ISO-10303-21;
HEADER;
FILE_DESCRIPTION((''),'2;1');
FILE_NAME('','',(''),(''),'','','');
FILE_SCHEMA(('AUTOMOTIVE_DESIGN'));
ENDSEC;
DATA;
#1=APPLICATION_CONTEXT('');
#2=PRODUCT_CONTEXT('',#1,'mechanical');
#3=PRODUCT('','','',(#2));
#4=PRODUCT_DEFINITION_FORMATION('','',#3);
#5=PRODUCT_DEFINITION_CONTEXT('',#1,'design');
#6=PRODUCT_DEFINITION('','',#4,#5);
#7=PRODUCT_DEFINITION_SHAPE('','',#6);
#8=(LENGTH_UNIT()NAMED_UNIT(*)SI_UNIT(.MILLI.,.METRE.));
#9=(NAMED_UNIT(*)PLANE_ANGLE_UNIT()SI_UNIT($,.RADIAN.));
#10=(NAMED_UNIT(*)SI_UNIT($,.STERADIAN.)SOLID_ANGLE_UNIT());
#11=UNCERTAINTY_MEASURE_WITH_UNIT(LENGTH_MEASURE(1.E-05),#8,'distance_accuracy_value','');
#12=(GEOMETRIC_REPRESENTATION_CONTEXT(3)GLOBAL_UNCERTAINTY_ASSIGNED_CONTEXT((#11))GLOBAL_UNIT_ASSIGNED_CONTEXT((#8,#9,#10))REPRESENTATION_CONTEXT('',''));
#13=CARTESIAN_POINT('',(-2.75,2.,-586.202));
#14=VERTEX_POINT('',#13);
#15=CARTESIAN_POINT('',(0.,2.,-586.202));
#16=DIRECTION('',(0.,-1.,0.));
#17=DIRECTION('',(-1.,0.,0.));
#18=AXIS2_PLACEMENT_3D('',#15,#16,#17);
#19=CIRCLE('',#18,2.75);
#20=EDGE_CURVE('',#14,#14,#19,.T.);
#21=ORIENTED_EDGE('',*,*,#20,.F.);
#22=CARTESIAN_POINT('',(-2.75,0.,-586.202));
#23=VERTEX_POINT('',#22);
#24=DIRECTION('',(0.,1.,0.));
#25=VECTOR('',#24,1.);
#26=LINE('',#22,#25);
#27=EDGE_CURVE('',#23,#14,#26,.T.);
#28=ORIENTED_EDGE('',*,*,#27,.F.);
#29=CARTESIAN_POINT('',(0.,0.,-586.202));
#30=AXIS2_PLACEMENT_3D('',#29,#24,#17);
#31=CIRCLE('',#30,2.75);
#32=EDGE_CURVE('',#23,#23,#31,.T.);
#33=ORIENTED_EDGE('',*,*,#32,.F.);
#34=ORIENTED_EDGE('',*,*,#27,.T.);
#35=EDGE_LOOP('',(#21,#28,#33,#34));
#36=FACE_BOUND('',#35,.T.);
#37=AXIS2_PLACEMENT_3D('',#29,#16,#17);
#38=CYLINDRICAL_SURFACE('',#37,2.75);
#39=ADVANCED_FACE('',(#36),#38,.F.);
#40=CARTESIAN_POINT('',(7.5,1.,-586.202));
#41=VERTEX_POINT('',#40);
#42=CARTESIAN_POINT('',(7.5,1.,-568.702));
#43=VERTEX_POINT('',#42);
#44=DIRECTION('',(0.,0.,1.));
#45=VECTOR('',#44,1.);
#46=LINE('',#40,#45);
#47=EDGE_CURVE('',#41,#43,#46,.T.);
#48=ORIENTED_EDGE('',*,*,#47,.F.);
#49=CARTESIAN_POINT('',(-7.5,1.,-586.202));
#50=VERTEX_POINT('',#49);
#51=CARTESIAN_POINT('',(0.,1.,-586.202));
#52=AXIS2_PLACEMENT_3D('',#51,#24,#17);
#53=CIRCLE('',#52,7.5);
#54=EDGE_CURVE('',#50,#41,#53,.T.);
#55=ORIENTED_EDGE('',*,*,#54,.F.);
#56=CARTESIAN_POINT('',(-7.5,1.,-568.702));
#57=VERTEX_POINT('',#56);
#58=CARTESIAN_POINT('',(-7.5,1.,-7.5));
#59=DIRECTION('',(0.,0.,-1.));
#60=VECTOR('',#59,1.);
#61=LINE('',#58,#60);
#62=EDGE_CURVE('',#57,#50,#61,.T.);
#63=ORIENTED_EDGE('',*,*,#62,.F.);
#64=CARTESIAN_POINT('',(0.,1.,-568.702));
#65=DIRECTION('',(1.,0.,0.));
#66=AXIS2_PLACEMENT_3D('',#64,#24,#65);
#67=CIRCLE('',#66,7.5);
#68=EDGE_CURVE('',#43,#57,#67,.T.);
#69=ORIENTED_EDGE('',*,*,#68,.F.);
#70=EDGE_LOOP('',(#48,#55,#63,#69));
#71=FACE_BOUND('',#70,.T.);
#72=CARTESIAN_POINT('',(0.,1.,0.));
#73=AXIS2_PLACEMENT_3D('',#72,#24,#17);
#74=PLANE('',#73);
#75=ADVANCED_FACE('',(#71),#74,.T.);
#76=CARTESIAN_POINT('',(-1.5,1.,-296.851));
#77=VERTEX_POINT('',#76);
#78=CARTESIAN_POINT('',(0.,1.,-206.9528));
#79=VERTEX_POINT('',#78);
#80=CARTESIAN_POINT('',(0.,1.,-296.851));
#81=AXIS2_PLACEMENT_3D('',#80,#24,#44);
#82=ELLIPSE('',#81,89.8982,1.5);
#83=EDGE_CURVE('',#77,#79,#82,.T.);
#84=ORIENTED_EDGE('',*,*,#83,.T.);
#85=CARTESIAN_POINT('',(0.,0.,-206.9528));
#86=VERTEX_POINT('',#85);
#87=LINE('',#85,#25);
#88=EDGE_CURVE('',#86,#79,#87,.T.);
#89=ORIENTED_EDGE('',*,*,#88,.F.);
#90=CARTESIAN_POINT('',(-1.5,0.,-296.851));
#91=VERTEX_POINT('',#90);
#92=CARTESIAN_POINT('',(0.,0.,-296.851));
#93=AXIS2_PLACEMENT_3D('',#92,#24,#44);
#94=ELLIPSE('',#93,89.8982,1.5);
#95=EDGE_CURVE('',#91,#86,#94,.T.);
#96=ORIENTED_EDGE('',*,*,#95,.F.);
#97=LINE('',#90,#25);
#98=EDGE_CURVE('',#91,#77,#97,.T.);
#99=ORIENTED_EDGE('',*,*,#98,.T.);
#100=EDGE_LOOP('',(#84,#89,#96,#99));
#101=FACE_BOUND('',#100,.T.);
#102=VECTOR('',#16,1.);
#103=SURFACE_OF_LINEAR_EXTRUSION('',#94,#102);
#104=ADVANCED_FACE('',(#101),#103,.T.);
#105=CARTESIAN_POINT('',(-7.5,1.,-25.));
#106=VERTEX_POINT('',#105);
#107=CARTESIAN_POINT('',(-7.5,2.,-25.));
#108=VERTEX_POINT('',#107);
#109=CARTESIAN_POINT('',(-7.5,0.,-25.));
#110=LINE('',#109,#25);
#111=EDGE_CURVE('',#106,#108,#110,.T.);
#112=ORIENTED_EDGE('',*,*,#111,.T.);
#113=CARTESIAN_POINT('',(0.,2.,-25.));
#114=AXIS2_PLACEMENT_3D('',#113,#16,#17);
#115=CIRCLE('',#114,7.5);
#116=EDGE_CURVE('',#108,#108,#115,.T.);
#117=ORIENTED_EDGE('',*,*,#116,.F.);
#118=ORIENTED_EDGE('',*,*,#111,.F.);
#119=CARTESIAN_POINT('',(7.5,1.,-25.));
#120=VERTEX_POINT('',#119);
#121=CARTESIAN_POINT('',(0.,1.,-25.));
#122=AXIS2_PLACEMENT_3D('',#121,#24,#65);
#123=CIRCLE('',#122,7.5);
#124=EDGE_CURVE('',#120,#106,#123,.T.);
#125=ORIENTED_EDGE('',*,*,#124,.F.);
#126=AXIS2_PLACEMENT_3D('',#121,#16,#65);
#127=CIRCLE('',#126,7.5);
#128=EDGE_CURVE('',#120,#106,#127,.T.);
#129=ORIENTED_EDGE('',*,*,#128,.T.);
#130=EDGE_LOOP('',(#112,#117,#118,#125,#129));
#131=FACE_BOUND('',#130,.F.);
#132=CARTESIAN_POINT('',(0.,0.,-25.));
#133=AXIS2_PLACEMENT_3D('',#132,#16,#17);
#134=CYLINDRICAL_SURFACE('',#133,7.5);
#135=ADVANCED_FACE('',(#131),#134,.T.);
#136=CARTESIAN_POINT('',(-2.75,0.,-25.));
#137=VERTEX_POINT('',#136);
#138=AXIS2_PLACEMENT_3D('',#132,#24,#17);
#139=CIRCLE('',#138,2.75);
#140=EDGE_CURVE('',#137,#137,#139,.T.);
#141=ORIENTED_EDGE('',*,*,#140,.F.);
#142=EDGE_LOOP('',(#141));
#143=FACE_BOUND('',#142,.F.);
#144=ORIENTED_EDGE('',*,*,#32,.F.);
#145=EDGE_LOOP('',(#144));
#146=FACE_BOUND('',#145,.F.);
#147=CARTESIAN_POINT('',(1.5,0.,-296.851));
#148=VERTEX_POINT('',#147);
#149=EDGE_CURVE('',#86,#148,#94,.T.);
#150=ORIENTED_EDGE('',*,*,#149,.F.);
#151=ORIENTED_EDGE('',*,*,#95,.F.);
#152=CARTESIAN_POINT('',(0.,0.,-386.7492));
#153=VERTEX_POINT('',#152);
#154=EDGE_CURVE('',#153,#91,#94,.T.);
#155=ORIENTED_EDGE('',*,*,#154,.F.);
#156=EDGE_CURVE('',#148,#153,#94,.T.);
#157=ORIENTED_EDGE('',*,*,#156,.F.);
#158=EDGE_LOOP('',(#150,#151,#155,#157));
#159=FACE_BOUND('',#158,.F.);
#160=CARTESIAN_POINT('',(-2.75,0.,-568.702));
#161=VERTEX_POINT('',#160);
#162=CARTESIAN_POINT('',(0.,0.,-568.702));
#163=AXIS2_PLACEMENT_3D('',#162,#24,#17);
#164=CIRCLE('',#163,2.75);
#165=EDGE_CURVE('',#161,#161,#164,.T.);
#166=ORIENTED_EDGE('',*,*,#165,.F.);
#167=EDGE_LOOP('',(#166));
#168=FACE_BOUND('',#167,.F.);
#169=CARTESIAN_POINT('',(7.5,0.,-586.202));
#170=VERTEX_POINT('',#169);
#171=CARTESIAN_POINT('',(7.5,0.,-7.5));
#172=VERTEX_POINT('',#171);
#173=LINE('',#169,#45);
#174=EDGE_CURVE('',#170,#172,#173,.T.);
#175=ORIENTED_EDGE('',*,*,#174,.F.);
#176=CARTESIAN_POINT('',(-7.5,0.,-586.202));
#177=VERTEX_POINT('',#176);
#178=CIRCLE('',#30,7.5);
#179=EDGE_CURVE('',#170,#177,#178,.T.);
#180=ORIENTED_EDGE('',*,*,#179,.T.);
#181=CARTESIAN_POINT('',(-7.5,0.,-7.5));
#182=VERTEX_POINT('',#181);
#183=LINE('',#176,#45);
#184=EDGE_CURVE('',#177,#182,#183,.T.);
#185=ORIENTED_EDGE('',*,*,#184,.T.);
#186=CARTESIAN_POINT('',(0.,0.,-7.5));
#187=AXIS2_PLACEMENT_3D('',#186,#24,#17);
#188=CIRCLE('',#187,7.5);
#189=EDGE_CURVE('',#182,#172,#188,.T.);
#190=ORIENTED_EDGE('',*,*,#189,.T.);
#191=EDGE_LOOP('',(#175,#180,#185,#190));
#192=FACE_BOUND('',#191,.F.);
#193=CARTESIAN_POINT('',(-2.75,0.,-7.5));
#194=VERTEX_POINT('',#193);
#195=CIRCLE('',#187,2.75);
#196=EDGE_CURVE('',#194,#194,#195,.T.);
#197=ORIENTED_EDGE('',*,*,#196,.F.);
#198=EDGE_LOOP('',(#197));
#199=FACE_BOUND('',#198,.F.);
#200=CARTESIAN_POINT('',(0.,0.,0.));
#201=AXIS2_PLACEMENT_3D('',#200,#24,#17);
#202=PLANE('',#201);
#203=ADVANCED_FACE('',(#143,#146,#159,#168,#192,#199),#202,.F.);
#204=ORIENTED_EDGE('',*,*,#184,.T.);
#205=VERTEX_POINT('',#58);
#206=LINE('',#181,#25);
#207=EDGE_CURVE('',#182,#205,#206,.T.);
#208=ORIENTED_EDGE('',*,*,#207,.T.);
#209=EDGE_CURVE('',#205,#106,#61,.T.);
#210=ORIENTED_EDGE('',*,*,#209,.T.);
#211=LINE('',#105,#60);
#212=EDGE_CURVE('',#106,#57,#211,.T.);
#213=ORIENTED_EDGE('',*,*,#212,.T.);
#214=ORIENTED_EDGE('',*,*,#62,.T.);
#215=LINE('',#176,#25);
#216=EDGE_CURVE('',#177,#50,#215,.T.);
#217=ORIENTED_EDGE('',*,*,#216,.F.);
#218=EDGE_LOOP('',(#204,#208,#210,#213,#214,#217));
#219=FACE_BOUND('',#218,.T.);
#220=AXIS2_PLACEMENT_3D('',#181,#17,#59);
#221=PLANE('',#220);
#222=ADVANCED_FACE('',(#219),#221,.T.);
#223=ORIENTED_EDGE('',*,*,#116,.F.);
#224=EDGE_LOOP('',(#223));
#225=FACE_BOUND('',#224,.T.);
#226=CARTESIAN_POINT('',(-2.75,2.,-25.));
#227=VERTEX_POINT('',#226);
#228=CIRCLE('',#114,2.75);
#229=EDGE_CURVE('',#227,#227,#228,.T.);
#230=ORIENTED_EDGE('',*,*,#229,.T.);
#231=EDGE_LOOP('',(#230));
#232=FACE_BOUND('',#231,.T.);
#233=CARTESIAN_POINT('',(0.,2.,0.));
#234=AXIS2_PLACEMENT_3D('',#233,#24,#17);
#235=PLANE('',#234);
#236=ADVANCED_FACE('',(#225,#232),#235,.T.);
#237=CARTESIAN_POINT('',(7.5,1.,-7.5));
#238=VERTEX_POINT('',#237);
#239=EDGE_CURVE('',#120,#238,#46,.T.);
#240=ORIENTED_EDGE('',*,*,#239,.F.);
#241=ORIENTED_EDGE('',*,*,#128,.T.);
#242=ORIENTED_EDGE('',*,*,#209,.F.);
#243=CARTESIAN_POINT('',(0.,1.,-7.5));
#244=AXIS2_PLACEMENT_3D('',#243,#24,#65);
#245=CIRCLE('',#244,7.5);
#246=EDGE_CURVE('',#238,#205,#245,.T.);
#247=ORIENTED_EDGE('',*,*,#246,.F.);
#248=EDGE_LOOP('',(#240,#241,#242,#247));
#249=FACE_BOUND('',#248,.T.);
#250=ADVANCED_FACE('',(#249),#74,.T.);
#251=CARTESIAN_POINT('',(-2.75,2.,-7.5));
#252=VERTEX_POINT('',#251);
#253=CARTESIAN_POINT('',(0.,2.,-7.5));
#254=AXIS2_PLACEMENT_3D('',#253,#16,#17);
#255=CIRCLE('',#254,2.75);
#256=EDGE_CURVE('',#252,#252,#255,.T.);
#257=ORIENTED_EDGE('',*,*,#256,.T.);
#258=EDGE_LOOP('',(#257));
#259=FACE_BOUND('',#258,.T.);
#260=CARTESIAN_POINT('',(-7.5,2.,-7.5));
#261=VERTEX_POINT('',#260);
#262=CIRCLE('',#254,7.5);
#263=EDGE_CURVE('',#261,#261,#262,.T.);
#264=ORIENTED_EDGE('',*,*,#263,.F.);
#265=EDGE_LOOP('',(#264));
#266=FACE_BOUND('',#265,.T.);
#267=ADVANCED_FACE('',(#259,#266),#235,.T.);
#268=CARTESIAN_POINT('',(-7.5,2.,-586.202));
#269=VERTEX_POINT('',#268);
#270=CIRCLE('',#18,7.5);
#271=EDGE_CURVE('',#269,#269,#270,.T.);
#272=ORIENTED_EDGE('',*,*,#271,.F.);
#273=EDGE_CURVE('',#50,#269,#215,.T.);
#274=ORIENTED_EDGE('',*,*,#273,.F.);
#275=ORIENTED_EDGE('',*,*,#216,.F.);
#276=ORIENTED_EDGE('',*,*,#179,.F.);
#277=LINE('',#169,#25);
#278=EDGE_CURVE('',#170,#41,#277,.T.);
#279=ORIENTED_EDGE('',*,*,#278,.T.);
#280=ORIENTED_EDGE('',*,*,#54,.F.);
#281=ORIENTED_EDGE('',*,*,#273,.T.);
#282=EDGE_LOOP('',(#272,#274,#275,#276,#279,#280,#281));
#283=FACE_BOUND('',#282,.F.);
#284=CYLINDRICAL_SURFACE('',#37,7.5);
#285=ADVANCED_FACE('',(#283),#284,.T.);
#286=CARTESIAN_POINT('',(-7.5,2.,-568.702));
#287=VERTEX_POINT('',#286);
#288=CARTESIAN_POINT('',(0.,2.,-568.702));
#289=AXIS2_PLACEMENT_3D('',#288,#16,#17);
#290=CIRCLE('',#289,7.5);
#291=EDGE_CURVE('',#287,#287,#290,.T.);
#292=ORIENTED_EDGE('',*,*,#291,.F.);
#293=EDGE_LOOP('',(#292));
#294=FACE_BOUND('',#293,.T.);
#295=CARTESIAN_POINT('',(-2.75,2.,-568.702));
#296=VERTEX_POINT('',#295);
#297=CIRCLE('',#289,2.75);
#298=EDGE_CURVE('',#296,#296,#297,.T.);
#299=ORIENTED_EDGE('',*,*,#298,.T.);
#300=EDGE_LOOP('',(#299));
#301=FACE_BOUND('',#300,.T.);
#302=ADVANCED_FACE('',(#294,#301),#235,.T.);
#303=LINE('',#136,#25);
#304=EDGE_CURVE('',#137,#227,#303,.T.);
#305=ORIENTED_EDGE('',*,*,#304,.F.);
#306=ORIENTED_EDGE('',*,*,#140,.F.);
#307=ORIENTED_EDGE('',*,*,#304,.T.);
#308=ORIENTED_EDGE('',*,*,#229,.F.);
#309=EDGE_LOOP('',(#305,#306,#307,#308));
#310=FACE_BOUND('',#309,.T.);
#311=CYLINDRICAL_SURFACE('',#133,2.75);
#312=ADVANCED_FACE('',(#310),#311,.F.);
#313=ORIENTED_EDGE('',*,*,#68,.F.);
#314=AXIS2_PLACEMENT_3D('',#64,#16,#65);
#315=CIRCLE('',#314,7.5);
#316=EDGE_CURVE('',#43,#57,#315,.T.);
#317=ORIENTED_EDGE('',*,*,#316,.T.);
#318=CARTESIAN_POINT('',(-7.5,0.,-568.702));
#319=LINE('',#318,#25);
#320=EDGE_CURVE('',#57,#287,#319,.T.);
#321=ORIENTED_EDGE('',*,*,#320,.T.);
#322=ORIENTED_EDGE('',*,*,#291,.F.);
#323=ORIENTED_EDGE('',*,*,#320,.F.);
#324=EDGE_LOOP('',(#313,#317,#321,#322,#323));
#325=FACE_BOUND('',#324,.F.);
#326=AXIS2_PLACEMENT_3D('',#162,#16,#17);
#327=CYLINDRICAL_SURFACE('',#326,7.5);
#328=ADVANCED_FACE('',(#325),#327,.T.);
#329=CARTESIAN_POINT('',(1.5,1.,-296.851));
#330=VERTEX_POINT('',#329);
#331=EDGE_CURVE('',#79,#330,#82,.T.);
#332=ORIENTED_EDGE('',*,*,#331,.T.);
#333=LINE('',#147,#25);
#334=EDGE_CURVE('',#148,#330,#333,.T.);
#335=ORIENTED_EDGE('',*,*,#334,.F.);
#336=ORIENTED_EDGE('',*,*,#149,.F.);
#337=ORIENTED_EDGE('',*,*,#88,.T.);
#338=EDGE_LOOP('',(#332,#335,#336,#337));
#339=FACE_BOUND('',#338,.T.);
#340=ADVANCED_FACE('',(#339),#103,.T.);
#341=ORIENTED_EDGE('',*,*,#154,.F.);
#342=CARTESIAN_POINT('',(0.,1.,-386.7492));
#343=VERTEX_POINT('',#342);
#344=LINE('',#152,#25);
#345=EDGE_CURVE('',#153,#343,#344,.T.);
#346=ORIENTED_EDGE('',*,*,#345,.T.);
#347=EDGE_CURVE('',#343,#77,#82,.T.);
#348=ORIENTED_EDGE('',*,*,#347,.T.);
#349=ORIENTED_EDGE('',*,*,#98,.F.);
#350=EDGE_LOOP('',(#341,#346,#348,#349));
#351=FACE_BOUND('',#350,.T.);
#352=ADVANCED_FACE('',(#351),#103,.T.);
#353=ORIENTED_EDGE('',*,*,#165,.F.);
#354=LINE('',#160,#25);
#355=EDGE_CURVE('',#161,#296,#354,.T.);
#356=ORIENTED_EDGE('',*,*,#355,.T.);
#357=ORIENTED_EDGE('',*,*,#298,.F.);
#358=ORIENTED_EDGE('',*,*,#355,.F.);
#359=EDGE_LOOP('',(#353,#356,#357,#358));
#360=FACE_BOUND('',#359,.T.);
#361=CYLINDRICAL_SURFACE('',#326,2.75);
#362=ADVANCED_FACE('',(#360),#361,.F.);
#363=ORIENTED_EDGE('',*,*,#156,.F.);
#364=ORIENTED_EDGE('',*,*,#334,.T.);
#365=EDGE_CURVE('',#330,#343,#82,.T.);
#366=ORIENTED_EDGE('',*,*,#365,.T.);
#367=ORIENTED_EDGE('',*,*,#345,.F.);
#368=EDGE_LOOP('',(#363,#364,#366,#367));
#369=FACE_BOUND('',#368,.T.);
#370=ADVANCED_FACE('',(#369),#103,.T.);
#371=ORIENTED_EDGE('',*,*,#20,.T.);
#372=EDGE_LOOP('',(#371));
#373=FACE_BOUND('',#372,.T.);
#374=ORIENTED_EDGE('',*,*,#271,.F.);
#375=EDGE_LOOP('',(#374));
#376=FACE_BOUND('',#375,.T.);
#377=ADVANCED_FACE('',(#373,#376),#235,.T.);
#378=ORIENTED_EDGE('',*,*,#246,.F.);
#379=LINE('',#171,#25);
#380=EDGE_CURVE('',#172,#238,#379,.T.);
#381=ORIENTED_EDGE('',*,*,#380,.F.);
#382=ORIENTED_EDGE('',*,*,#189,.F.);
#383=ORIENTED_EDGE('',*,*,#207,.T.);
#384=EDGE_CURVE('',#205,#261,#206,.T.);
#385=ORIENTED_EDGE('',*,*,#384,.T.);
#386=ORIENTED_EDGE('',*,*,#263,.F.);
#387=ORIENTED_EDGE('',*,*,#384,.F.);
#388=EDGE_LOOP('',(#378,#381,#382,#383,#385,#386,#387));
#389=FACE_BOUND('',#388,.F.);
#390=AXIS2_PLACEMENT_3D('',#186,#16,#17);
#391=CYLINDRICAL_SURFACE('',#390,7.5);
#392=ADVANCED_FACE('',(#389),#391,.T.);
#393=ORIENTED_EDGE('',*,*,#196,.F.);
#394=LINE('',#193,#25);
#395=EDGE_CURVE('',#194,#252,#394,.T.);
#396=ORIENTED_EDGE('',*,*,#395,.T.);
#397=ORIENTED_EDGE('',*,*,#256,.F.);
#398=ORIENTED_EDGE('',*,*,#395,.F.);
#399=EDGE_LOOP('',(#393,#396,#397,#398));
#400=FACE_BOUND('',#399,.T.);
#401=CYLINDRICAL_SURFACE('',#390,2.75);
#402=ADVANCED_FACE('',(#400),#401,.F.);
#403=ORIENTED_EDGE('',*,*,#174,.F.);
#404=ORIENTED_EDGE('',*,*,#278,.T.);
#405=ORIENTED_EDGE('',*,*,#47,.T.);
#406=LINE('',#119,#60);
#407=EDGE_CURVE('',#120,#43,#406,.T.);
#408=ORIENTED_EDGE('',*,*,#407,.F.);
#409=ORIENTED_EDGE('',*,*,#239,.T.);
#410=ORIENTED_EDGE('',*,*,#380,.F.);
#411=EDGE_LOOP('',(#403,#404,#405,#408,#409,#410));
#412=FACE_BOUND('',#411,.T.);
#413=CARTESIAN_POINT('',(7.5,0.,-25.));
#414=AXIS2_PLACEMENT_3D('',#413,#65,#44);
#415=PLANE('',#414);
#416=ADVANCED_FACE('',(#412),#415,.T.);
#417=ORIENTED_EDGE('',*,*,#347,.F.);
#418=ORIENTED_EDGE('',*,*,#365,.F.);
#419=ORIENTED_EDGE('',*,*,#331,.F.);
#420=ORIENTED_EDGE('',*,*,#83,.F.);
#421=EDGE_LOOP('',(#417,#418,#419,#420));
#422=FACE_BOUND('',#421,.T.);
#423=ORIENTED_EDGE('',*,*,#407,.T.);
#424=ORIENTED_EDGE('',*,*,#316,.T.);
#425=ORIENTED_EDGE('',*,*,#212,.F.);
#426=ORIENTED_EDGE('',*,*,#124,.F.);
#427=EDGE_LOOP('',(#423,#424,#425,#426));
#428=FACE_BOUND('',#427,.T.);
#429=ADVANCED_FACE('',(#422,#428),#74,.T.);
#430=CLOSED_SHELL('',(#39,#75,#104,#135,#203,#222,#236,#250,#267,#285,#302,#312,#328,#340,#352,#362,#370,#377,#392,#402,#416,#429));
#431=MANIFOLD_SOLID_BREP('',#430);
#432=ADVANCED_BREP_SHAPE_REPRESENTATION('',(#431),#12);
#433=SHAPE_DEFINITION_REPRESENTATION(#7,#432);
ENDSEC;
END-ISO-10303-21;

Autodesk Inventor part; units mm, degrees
ref_plane "YZ Plane" through (0, 0, 0) normal (1, 0, 0) x (0, 1, 0)
ref_plane "XZ Plane" through (0, 0, 0) normal (0, 1, 0) x (-1, 0, 0)
ref_plane "XY Plane" through (0, 0, 0) normal (0, 0, 1) x (1, 0, 0)
sketch "Sketch1" plane through (0, 0, 0) normal (0, 1, 0) x (-1, 0, 0)
  line L0 (0, 0) -> (0, -273.901)
  line L1 (0, 0) -> (273.901, 0) construction
  line L2 (0, -273.901) -> (0, -319.801)
  line L3 (0, -319.801) -> (0, -593.702)
  line L4 (0, -319.801) -> (273.901, -319.801) construction
  line L5 (0, 0) -> (0, -15)
  line L6 (0, -593.702) -> (0, -578.702)
  circle A0 centre (0, -7.5) radius 7.5
  circle A1 centre (0, -586.202) radius 7.5
  line L7 (7.5, -7.5) -> (7.5, -586.202)
  line L8 (-7.5, -586.202) -> (-7.5, -7.5)
  line L9 (0, -15) -> (0, -17.5)
  line L10 (0, -17.5) -> (0, -32.5)
  circle A2 centre (0, -25) radius 7.5
  line L11 (-7.5, -296.851) -> (7.5, -296.851)
  circle A3 centre (0, -568.702) radius 7.5
  circle A4 centre (0, -7.5) radius 2.75
  circle A5 centre (0, -25) radius 2.75
  circle A6 centre (0, -586.202) radius 2.75
  circle A7 centre (0, -568.702) radius 2.75
  ellipse E0 centre (0, -296.851) end of major axis (0, -206.9528) minor radius 1.5
  line L12 (1.5, -296.851) -> (-1.5, -296.851)
  point P0 (-7.5, -568.702)
  point P1 (7.5, -568.702)
  point P2 (-7.5, -25)
  point P3 (7.5, -25)
  dimension "d0" = 273.901
  dimension "d1" = 90
  dimension "d2" = 45.9
  dimension "d3" = 273.901
  dimension "d4" = 90
  dimension "d5" = 15
  dimension "d6" = 15
  dimension "d7" = 2.5
  dimension "d8" = 15
  dimension "d9" = 5.5
  dimension "d10" = 5.5
  dimension "d15" = 3
extrude "Extrusion1" add sketch "Sketch1" along normal blind 1 contours A0 L7 A2 L0 | L0 A2 L8 A0 | L7 L11 E0 L0 A2 | A2 L0 E0 L11 L8 | L7 A3 L3 E0 L11 | L11 E0 L3 A3 L8 | L7 A1 L3 A3 | A3 L3 A1 L8
extrude "Extrusion2" add sketch "Sketch1" along normal blind 2 contours A0 L0 A4 | L0 A4 A0 | A2 L0 A5 | L0 A5 A2 | A3 L3 A7 | A3 L3 A7 | A1 L3 A6 | A1 L3 A6
properties part number "szalag4"
